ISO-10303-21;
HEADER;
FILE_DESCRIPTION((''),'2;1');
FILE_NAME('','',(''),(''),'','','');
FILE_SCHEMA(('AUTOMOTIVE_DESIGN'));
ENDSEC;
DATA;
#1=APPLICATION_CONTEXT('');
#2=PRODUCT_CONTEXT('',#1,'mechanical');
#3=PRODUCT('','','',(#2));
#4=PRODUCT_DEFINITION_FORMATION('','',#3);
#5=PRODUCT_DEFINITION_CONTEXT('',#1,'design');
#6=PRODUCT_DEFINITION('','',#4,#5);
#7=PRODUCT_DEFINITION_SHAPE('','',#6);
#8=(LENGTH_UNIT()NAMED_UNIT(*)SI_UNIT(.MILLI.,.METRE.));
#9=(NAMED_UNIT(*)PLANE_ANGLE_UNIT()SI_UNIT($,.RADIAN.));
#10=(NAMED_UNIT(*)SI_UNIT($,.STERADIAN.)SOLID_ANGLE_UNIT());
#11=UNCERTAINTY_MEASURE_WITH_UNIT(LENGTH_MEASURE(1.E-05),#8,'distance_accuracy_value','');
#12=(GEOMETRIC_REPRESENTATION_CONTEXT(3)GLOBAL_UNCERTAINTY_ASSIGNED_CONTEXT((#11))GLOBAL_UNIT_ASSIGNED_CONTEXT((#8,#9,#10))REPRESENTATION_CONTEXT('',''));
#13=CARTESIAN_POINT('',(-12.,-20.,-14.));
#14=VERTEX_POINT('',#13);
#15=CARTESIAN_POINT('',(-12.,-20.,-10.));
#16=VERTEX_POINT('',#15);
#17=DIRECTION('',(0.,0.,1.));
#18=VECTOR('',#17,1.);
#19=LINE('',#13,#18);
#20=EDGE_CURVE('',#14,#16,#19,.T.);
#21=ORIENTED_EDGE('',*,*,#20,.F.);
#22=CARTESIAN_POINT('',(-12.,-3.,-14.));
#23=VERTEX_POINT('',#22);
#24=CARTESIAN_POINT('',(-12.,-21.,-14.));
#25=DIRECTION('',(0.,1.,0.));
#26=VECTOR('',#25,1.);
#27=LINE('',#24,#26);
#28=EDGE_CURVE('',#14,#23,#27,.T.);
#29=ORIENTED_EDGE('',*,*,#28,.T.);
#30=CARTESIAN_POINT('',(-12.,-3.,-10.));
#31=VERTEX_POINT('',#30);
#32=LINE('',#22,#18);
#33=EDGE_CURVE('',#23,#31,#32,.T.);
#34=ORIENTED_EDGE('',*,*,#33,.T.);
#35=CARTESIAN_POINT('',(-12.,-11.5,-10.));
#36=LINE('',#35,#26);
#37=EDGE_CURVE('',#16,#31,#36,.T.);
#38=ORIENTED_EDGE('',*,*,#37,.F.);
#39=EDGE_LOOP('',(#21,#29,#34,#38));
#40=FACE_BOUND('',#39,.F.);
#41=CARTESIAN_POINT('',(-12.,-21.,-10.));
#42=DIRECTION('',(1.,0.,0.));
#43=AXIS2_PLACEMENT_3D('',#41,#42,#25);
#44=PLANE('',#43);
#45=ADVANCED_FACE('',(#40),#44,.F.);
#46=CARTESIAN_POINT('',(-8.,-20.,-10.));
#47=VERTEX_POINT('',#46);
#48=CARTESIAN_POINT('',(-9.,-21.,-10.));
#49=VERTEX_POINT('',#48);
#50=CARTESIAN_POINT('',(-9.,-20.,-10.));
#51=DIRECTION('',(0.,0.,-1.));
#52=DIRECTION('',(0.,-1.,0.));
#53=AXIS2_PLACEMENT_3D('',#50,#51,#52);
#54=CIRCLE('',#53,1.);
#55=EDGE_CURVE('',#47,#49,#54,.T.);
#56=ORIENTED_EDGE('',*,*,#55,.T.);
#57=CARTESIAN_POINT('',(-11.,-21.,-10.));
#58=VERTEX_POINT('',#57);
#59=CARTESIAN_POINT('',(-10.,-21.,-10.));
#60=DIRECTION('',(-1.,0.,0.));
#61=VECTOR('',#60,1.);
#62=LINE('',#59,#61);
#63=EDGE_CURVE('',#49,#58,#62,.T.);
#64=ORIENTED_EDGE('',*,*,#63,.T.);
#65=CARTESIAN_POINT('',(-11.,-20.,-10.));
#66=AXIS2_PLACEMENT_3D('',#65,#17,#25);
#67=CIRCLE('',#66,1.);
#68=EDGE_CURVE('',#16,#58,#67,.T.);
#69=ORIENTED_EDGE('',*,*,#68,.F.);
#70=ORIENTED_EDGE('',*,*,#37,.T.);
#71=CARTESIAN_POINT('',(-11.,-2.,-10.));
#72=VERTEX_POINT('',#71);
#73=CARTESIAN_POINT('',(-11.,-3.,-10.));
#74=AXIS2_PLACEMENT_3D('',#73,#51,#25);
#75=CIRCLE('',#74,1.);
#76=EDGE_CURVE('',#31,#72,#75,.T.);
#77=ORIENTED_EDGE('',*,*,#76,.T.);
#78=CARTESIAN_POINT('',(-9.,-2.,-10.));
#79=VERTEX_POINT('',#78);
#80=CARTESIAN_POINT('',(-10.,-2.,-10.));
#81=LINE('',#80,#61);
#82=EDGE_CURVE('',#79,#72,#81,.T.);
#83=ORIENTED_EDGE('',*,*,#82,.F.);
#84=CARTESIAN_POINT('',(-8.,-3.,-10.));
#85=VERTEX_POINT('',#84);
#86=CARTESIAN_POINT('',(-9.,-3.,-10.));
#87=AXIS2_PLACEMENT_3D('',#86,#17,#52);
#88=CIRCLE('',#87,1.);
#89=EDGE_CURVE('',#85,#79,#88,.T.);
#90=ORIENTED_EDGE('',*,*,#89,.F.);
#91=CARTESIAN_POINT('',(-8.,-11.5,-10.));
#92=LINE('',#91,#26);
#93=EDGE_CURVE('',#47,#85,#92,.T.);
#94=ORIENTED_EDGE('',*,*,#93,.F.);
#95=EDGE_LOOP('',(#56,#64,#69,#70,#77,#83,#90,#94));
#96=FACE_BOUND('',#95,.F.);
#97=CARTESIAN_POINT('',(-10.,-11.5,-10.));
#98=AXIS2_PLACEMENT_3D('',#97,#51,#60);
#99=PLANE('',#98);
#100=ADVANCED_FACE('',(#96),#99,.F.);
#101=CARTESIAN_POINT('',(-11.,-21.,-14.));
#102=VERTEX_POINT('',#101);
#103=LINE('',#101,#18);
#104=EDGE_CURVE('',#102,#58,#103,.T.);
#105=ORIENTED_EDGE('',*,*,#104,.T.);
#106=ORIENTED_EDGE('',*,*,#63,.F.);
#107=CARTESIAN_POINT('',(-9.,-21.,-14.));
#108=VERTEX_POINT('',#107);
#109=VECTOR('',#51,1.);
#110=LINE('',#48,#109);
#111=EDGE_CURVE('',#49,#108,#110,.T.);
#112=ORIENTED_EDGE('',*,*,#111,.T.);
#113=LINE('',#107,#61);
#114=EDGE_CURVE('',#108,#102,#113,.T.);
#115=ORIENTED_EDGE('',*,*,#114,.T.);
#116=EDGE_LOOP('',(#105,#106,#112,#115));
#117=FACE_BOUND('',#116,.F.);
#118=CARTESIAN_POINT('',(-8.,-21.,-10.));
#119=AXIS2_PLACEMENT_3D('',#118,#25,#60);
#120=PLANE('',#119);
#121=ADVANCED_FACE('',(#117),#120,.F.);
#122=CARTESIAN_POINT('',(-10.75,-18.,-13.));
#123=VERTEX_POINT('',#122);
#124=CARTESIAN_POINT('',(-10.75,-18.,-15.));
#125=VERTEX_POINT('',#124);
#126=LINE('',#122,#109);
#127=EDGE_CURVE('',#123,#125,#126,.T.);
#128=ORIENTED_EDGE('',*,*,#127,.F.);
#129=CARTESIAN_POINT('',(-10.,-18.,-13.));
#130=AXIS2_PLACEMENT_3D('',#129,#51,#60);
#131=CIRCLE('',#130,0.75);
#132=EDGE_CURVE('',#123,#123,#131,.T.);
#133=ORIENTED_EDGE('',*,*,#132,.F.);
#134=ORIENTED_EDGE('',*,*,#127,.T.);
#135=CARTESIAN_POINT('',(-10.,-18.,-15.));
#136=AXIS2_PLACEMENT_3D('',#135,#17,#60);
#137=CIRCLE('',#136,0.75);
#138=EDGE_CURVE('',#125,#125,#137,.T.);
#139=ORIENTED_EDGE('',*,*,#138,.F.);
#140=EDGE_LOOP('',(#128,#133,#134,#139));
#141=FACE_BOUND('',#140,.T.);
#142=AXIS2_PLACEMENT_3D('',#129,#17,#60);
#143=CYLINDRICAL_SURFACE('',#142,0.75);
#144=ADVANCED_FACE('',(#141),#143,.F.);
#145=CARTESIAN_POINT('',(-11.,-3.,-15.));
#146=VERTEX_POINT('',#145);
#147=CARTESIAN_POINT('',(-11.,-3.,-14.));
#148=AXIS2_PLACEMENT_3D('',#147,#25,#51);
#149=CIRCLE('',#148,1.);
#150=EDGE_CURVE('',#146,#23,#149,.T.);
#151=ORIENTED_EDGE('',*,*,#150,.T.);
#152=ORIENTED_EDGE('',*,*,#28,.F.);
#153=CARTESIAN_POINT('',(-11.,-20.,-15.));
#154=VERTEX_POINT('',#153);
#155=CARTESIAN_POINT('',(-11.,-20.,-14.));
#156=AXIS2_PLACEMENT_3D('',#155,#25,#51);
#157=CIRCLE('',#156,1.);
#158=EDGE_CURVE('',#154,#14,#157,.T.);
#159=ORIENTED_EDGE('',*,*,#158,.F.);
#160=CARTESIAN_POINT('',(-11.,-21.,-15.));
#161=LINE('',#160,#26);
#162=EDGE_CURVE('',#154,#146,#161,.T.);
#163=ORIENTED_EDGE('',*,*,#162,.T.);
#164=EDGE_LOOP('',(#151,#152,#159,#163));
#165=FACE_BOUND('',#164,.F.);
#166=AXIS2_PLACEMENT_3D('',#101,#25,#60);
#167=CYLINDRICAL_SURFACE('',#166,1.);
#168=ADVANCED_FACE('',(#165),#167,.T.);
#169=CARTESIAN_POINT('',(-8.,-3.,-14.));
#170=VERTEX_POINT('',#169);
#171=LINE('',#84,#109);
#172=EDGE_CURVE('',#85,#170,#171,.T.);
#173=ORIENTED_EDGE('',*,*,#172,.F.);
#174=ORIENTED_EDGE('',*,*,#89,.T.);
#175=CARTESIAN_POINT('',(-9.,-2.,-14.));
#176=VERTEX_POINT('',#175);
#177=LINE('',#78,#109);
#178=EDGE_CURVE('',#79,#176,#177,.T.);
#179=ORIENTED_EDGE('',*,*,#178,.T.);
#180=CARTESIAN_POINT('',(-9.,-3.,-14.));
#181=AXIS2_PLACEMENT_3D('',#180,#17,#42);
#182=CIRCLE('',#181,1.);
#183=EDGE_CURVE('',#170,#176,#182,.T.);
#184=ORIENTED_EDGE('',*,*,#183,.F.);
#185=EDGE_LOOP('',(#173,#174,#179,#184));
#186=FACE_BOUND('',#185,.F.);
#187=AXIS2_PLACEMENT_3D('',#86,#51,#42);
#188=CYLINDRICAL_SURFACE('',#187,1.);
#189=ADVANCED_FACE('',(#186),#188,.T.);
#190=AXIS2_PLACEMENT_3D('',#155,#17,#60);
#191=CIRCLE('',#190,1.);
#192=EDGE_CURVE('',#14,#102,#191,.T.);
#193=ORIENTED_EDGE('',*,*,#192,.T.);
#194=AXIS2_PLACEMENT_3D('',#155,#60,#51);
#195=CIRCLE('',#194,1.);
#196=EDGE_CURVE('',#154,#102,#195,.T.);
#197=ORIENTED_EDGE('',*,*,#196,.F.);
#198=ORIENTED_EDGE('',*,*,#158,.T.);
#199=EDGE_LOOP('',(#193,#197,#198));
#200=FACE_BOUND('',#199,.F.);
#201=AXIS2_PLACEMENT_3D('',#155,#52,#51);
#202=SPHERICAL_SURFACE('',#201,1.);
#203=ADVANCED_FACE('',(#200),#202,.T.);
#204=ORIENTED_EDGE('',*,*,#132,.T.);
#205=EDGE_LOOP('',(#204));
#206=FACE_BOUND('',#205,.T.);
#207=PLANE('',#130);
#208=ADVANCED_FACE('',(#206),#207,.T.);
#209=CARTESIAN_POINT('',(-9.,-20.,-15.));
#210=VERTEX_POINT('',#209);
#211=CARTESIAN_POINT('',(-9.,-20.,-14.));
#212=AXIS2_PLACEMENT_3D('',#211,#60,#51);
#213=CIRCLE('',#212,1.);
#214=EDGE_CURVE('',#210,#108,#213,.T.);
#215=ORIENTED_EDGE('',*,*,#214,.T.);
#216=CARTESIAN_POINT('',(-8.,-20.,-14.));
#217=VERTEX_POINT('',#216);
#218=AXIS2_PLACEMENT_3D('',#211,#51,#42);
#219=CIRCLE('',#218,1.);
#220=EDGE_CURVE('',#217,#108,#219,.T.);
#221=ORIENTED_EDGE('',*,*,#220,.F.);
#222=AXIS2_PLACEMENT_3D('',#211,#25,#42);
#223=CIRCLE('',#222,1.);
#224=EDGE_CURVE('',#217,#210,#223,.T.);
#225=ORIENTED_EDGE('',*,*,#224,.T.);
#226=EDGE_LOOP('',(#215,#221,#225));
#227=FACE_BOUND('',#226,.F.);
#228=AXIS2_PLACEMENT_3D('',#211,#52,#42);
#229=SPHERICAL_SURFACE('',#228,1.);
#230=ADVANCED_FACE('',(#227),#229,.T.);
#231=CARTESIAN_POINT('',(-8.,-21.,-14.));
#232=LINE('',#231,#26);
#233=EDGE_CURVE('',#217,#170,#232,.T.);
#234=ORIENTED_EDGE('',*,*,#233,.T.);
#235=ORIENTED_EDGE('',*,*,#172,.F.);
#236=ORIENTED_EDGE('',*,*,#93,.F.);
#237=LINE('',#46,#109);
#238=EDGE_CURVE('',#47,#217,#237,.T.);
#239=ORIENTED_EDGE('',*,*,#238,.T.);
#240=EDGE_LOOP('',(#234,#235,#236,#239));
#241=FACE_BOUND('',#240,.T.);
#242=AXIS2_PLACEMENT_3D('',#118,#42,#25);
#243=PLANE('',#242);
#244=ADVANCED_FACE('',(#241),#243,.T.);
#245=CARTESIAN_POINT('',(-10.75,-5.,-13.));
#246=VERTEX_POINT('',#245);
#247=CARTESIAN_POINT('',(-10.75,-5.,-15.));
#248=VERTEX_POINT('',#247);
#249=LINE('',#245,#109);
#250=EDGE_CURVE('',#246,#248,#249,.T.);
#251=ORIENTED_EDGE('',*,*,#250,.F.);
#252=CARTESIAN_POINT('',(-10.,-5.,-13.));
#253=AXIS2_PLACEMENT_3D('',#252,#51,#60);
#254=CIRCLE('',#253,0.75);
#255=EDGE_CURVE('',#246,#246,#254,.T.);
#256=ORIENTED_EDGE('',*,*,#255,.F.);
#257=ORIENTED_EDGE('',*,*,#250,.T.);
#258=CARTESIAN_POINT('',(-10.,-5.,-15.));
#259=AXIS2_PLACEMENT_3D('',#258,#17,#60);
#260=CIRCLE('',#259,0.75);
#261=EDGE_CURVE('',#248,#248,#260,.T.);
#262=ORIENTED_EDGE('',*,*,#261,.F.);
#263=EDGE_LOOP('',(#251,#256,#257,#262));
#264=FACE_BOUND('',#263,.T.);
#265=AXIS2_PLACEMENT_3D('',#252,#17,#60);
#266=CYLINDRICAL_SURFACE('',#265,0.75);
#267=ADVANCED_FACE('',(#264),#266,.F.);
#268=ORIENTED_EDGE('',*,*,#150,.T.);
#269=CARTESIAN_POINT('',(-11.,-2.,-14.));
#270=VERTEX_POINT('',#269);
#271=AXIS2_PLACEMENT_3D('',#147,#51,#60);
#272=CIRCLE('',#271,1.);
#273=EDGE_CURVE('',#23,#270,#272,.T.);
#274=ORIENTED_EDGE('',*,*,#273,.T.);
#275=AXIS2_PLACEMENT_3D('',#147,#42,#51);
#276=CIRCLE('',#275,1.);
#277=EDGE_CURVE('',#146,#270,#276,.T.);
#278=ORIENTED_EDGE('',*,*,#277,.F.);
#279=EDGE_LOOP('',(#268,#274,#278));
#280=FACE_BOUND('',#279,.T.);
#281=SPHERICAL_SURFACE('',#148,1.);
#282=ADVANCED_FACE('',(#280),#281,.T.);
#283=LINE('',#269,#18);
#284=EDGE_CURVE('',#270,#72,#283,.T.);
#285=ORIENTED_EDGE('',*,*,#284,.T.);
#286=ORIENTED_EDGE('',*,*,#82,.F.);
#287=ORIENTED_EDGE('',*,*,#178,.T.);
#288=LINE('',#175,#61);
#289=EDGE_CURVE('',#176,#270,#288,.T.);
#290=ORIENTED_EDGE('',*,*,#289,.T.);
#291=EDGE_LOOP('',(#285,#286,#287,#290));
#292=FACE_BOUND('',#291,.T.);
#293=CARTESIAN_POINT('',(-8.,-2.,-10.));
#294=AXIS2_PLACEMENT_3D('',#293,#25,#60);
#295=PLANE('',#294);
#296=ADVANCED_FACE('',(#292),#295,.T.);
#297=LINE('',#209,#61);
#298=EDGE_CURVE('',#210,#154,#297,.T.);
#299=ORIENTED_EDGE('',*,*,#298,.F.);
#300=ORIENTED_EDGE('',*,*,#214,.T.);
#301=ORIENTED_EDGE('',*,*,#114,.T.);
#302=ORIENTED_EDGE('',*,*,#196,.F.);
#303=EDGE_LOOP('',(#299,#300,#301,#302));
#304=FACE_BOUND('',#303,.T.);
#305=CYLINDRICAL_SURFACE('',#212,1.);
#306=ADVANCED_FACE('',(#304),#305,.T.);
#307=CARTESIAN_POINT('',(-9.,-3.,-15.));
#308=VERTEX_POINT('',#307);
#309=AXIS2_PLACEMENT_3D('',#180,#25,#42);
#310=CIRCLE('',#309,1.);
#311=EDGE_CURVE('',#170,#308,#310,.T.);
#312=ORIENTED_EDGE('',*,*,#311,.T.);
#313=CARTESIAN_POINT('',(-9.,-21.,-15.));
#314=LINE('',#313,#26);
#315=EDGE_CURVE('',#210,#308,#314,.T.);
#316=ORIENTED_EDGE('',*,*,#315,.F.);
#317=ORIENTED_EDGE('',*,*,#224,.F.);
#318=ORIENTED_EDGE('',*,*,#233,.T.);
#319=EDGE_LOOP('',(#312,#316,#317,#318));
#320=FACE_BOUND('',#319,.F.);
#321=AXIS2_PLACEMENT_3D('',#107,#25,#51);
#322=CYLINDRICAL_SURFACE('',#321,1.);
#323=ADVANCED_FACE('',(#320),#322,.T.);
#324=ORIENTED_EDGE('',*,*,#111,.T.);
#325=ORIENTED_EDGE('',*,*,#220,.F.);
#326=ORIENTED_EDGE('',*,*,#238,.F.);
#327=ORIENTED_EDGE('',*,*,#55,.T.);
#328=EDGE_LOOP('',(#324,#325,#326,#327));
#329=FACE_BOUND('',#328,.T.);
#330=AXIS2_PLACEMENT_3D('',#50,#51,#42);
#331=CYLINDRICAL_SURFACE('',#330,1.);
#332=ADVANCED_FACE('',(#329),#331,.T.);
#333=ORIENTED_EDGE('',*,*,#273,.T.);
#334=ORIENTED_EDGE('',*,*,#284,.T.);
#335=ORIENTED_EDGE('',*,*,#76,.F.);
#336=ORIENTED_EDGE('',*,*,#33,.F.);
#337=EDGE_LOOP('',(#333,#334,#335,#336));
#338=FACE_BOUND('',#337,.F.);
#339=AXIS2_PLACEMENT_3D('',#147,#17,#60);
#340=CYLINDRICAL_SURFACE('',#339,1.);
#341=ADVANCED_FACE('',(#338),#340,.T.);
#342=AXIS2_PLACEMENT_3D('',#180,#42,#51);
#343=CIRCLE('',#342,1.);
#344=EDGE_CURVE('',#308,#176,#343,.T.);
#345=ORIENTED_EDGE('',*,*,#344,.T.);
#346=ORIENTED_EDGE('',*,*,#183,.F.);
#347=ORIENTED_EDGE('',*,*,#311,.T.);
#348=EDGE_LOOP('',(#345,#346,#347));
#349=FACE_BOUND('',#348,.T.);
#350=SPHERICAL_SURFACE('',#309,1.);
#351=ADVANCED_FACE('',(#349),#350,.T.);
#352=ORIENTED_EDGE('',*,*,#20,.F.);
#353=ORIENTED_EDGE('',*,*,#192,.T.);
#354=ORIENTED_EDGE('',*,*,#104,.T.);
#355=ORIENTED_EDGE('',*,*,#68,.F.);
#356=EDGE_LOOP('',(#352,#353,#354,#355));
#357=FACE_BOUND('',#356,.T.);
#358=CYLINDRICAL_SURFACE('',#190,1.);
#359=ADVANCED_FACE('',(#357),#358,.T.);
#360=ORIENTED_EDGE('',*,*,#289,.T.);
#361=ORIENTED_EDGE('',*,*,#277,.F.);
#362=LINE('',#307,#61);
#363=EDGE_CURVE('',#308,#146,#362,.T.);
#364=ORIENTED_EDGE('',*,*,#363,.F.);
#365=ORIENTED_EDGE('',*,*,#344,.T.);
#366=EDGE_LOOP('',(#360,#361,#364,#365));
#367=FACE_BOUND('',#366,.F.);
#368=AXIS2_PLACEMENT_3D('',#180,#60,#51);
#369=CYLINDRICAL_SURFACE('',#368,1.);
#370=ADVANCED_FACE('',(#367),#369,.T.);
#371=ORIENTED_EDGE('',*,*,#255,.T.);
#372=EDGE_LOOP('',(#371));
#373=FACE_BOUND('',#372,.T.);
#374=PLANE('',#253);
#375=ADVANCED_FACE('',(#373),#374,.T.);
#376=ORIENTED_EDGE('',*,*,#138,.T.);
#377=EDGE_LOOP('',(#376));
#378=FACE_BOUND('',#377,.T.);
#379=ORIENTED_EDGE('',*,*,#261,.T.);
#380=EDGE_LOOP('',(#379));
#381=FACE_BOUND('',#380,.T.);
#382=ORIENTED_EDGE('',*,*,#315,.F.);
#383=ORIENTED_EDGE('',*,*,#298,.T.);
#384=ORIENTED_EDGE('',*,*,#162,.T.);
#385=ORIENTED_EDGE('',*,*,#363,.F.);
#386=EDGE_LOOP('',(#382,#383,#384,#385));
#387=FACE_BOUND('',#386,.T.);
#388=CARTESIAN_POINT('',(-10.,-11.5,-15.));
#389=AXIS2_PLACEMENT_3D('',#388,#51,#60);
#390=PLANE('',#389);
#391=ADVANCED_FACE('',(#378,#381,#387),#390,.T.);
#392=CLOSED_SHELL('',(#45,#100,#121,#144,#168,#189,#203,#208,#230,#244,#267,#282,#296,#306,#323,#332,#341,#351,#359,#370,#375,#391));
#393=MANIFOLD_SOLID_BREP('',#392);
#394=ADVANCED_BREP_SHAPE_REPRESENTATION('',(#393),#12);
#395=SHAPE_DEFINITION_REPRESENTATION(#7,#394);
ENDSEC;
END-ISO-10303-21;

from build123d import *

# Parameters (mm, degrees)
CYLINDER047_R          = 0.75
CYLINDER047_DEPTH      = 10
CYLINDER046_R          = 0.75
CYLINDER046_DEPTH      = 10
BOX034_W               = 4
BOX034_H               = 19
BOX034_DEPTH           = 5
FILLET008_R            = 1
FILLET009_R            = 1
FILLET010_R            = 1
FILLET011_R            = 1
CUT066_PLACEMENT_ANGLE = 180


with BuildPart() as cilindro047:
    # Cylinder047 → Cylinder047 (new body)
    with BuildSketch(Plane(origin=(-39, 66, 48), x_dir=(1, 0, 0), z_dir=(0, 0, 1))):
        Circle(CYLINDER047_R)
    extrude(amount=CYLINDER047_DEPTH)


with BuildPart() as cilindro046:
    # Cylinder046 → Cylinder046 (new body)
    with BuildSketch(Plane(origin=(-39, 53, 48), x_dir=(1, 0, 0), z_dir=(0, 0, 1))):
        Circle(CYLINDER046_R)
    extrude(amount=CYLINDER046_DEPTH)


with BuildPart() as cut066:
    # Box034 → Box034 (new body)
    with BuildSketch(Plane(origin=(-2, 50, 45), x_dir=(1, 0, 0), z_dir=(0, 0, 1))):
        with Locations((2, 9.5)):
            Rectangle(BOX034_W, BOX034_H)
    extrude(amount=BOX034_DEPTH)

    # Fillet008
    fillet008_edges = [cut066.edges().sort_by_distance(p)[0] for p in [
        (2, 59.5, 50),
    ]]
    fillet(fillet008_edges, radius=FILLET008_R)

    # Fillet009
    fillet009_edges = [cut066.edges().sort_by_distance(p)[0] for p in [
        (-2, 59.5, 50),
    ]]
    fillet(fillet009_edges, radius=FILLET009_R)

    # Fillet010
    fillet010_edges = [cut066.edges().sort_by_distance(p)[0] for p in [
        (0, 69, 50),
    ]]
    fillet(fillet010_edges, radius=FILLET010_R)

    # Fillet011
    fillet011_edges = [cut066.edges().sort_by_distance(p)[0] for p in [
        (0, 50, 50),
    ]]
    fillet(fillet011_edges, radius=FILLET011_R)


with BuildPart() as cut066_1:
    # Fillet011 placement: moved
    add(cut066.part.moved(Location((-39, 0, 0))))

    # Cut065: cut Cilindro046
    add(cilindro046.part, mode=Mode.SUBTRACT)

    # Cut066: cut Cilindro047
    add(cilindro047.part, mode=Mode.SUBTRACT)


with BuildPart() as cut066_2:
    # Cut066 placement: moved
    add(cut066_1.part.moved(Location((-49, -71, 35))).rotate(Axis((-49, -71, 35), (0, 1, 0)), CUT066_PLACEMENT_ANGLE))


solid = cut066_2.part
